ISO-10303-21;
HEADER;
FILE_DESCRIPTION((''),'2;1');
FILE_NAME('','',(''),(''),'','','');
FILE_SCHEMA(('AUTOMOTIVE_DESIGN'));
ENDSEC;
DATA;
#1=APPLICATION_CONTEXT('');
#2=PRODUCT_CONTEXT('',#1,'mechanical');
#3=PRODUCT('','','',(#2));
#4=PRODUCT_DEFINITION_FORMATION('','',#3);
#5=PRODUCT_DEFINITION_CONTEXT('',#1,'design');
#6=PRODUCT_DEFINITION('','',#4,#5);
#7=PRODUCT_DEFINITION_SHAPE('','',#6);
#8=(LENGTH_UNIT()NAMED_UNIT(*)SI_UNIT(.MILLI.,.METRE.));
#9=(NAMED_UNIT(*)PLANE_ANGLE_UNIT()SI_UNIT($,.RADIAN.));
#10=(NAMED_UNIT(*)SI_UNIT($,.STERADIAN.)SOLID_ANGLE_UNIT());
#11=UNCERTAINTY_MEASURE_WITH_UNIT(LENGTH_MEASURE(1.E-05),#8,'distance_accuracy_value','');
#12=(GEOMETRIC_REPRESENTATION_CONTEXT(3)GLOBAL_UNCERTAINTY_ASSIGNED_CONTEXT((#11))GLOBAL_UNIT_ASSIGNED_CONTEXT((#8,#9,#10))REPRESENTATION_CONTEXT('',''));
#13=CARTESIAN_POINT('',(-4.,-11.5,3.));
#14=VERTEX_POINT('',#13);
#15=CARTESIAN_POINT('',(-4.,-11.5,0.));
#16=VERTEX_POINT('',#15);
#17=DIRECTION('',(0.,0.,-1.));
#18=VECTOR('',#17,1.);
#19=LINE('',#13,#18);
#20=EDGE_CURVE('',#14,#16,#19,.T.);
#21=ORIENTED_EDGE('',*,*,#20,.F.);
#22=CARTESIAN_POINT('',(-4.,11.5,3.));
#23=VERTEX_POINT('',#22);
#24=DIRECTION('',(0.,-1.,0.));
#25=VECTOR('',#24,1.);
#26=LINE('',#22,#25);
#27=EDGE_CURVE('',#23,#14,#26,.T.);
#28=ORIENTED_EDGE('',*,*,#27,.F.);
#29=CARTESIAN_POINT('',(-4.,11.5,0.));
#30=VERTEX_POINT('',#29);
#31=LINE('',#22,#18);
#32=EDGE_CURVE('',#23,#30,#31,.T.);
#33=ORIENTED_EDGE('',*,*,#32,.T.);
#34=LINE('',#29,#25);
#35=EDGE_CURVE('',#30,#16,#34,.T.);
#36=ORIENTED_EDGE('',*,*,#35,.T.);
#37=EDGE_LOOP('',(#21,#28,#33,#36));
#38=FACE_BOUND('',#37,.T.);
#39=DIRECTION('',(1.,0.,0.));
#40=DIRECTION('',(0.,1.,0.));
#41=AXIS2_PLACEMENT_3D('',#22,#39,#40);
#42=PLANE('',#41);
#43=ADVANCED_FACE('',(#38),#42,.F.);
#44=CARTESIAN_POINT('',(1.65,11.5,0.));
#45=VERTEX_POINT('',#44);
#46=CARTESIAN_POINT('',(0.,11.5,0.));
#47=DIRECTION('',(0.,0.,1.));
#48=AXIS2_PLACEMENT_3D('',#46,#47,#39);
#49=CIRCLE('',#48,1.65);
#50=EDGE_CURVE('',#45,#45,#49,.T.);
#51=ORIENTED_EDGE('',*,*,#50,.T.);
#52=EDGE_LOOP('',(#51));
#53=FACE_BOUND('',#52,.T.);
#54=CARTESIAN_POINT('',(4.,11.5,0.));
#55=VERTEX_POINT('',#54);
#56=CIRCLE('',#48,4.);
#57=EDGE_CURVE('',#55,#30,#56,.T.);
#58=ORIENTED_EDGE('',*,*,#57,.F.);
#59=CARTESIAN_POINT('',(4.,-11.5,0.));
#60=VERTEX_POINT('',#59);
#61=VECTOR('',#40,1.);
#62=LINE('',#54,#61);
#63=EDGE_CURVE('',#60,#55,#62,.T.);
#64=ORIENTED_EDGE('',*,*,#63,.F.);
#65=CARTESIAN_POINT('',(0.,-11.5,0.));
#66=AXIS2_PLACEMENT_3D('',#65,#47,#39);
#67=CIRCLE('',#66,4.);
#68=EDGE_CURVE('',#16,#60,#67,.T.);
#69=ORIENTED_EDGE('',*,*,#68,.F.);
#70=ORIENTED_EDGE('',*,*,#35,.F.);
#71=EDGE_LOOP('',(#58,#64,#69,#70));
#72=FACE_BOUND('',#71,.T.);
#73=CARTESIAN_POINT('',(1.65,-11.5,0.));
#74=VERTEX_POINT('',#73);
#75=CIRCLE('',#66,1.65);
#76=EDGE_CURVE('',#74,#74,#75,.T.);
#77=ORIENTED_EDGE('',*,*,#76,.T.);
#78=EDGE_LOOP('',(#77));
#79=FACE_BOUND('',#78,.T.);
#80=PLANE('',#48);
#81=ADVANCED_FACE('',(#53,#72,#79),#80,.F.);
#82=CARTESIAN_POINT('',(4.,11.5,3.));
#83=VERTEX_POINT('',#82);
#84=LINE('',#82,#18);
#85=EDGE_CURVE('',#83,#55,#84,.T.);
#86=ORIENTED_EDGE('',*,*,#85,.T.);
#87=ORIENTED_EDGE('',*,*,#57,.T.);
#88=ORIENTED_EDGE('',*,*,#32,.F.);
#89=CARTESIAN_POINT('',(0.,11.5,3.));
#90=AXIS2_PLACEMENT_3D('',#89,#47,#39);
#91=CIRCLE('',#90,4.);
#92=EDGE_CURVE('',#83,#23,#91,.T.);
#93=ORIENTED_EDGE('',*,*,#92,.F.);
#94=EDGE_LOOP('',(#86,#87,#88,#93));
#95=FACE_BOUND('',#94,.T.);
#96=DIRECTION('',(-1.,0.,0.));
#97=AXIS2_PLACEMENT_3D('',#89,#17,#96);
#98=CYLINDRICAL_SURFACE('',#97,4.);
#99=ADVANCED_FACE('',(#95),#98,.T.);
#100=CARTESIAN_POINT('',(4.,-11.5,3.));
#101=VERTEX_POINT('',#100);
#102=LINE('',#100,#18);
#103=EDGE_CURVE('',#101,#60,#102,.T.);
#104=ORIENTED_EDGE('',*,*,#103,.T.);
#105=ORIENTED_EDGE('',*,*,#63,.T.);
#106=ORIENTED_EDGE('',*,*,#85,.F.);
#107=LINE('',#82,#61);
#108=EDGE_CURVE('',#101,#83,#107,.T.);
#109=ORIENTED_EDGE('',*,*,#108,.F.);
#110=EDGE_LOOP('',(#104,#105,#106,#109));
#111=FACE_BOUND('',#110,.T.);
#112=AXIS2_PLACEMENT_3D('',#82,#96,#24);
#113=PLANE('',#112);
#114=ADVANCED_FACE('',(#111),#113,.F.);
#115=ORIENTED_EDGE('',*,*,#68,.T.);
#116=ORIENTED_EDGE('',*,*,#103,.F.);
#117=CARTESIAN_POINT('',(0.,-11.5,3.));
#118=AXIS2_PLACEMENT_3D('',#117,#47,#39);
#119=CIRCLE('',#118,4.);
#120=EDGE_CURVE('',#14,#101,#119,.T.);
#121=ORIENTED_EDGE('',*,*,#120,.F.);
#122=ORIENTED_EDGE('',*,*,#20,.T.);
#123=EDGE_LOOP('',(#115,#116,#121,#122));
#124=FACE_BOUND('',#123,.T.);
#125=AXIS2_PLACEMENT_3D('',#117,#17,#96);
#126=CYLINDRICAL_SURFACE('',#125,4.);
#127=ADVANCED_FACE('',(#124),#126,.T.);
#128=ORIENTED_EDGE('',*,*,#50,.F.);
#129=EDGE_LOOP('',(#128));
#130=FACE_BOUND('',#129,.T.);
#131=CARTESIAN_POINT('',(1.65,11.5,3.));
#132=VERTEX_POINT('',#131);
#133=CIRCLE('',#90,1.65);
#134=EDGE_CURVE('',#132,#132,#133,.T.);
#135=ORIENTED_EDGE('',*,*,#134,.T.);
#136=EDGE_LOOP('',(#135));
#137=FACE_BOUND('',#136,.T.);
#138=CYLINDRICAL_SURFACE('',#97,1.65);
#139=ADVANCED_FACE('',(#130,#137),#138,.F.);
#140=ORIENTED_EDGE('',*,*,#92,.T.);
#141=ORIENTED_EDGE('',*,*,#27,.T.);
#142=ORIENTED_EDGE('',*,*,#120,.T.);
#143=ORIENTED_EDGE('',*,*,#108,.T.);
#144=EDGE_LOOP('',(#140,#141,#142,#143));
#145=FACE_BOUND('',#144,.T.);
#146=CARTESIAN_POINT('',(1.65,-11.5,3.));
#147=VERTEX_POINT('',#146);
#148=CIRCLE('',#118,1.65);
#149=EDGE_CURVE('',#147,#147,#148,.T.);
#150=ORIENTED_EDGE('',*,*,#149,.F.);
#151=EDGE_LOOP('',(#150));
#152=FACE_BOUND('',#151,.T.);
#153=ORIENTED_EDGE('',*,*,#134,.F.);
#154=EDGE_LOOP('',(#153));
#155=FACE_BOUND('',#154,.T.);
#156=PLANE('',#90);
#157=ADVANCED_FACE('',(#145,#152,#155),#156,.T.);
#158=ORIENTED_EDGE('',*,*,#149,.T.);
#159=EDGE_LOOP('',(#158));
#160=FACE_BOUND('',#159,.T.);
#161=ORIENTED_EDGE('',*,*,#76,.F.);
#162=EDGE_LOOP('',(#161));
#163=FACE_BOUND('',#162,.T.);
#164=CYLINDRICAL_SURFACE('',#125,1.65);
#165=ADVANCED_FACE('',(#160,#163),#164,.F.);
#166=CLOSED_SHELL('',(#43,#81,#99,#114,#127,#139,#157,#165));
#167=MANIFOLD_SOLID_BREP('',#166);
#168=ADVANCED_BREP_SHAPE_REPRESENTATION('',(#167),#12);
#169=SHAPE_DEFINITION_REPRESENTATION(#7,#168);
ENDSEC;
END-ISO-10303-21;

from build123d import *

# Parameters (mm, degrees)
SKETCH_1_R      = 1.65
EXTRUDE_1_DEPTH = 3


with BuildPart() as part:
    # 草图1 → 凸台-拉伸1 (new body)
    with BuildSketch(Plane.XY):
        with BuildLine():
            Line((4, 11.5), (4, -11.5))
            ThreePointArc((4, -11.5), (0, -15.5), (-4, -11.5))
            Line((-4, -11.5), (-4, 11.5))
            ThreePointArc((-4, 11.5), (0, 15.5), (4, 11.5))
        make_face()
        with Locations((0, 11.5)):
            Circle(SKETCH_1_R, mode=Mode.SUBTRACT)
        with Locations((0, -11.5)):
            Circle(SKETCH_1_R, mode=Mode.SUBTRACT)
    extrude(amount=EXTRUDE_1_DEPTH)


solid = part.part
